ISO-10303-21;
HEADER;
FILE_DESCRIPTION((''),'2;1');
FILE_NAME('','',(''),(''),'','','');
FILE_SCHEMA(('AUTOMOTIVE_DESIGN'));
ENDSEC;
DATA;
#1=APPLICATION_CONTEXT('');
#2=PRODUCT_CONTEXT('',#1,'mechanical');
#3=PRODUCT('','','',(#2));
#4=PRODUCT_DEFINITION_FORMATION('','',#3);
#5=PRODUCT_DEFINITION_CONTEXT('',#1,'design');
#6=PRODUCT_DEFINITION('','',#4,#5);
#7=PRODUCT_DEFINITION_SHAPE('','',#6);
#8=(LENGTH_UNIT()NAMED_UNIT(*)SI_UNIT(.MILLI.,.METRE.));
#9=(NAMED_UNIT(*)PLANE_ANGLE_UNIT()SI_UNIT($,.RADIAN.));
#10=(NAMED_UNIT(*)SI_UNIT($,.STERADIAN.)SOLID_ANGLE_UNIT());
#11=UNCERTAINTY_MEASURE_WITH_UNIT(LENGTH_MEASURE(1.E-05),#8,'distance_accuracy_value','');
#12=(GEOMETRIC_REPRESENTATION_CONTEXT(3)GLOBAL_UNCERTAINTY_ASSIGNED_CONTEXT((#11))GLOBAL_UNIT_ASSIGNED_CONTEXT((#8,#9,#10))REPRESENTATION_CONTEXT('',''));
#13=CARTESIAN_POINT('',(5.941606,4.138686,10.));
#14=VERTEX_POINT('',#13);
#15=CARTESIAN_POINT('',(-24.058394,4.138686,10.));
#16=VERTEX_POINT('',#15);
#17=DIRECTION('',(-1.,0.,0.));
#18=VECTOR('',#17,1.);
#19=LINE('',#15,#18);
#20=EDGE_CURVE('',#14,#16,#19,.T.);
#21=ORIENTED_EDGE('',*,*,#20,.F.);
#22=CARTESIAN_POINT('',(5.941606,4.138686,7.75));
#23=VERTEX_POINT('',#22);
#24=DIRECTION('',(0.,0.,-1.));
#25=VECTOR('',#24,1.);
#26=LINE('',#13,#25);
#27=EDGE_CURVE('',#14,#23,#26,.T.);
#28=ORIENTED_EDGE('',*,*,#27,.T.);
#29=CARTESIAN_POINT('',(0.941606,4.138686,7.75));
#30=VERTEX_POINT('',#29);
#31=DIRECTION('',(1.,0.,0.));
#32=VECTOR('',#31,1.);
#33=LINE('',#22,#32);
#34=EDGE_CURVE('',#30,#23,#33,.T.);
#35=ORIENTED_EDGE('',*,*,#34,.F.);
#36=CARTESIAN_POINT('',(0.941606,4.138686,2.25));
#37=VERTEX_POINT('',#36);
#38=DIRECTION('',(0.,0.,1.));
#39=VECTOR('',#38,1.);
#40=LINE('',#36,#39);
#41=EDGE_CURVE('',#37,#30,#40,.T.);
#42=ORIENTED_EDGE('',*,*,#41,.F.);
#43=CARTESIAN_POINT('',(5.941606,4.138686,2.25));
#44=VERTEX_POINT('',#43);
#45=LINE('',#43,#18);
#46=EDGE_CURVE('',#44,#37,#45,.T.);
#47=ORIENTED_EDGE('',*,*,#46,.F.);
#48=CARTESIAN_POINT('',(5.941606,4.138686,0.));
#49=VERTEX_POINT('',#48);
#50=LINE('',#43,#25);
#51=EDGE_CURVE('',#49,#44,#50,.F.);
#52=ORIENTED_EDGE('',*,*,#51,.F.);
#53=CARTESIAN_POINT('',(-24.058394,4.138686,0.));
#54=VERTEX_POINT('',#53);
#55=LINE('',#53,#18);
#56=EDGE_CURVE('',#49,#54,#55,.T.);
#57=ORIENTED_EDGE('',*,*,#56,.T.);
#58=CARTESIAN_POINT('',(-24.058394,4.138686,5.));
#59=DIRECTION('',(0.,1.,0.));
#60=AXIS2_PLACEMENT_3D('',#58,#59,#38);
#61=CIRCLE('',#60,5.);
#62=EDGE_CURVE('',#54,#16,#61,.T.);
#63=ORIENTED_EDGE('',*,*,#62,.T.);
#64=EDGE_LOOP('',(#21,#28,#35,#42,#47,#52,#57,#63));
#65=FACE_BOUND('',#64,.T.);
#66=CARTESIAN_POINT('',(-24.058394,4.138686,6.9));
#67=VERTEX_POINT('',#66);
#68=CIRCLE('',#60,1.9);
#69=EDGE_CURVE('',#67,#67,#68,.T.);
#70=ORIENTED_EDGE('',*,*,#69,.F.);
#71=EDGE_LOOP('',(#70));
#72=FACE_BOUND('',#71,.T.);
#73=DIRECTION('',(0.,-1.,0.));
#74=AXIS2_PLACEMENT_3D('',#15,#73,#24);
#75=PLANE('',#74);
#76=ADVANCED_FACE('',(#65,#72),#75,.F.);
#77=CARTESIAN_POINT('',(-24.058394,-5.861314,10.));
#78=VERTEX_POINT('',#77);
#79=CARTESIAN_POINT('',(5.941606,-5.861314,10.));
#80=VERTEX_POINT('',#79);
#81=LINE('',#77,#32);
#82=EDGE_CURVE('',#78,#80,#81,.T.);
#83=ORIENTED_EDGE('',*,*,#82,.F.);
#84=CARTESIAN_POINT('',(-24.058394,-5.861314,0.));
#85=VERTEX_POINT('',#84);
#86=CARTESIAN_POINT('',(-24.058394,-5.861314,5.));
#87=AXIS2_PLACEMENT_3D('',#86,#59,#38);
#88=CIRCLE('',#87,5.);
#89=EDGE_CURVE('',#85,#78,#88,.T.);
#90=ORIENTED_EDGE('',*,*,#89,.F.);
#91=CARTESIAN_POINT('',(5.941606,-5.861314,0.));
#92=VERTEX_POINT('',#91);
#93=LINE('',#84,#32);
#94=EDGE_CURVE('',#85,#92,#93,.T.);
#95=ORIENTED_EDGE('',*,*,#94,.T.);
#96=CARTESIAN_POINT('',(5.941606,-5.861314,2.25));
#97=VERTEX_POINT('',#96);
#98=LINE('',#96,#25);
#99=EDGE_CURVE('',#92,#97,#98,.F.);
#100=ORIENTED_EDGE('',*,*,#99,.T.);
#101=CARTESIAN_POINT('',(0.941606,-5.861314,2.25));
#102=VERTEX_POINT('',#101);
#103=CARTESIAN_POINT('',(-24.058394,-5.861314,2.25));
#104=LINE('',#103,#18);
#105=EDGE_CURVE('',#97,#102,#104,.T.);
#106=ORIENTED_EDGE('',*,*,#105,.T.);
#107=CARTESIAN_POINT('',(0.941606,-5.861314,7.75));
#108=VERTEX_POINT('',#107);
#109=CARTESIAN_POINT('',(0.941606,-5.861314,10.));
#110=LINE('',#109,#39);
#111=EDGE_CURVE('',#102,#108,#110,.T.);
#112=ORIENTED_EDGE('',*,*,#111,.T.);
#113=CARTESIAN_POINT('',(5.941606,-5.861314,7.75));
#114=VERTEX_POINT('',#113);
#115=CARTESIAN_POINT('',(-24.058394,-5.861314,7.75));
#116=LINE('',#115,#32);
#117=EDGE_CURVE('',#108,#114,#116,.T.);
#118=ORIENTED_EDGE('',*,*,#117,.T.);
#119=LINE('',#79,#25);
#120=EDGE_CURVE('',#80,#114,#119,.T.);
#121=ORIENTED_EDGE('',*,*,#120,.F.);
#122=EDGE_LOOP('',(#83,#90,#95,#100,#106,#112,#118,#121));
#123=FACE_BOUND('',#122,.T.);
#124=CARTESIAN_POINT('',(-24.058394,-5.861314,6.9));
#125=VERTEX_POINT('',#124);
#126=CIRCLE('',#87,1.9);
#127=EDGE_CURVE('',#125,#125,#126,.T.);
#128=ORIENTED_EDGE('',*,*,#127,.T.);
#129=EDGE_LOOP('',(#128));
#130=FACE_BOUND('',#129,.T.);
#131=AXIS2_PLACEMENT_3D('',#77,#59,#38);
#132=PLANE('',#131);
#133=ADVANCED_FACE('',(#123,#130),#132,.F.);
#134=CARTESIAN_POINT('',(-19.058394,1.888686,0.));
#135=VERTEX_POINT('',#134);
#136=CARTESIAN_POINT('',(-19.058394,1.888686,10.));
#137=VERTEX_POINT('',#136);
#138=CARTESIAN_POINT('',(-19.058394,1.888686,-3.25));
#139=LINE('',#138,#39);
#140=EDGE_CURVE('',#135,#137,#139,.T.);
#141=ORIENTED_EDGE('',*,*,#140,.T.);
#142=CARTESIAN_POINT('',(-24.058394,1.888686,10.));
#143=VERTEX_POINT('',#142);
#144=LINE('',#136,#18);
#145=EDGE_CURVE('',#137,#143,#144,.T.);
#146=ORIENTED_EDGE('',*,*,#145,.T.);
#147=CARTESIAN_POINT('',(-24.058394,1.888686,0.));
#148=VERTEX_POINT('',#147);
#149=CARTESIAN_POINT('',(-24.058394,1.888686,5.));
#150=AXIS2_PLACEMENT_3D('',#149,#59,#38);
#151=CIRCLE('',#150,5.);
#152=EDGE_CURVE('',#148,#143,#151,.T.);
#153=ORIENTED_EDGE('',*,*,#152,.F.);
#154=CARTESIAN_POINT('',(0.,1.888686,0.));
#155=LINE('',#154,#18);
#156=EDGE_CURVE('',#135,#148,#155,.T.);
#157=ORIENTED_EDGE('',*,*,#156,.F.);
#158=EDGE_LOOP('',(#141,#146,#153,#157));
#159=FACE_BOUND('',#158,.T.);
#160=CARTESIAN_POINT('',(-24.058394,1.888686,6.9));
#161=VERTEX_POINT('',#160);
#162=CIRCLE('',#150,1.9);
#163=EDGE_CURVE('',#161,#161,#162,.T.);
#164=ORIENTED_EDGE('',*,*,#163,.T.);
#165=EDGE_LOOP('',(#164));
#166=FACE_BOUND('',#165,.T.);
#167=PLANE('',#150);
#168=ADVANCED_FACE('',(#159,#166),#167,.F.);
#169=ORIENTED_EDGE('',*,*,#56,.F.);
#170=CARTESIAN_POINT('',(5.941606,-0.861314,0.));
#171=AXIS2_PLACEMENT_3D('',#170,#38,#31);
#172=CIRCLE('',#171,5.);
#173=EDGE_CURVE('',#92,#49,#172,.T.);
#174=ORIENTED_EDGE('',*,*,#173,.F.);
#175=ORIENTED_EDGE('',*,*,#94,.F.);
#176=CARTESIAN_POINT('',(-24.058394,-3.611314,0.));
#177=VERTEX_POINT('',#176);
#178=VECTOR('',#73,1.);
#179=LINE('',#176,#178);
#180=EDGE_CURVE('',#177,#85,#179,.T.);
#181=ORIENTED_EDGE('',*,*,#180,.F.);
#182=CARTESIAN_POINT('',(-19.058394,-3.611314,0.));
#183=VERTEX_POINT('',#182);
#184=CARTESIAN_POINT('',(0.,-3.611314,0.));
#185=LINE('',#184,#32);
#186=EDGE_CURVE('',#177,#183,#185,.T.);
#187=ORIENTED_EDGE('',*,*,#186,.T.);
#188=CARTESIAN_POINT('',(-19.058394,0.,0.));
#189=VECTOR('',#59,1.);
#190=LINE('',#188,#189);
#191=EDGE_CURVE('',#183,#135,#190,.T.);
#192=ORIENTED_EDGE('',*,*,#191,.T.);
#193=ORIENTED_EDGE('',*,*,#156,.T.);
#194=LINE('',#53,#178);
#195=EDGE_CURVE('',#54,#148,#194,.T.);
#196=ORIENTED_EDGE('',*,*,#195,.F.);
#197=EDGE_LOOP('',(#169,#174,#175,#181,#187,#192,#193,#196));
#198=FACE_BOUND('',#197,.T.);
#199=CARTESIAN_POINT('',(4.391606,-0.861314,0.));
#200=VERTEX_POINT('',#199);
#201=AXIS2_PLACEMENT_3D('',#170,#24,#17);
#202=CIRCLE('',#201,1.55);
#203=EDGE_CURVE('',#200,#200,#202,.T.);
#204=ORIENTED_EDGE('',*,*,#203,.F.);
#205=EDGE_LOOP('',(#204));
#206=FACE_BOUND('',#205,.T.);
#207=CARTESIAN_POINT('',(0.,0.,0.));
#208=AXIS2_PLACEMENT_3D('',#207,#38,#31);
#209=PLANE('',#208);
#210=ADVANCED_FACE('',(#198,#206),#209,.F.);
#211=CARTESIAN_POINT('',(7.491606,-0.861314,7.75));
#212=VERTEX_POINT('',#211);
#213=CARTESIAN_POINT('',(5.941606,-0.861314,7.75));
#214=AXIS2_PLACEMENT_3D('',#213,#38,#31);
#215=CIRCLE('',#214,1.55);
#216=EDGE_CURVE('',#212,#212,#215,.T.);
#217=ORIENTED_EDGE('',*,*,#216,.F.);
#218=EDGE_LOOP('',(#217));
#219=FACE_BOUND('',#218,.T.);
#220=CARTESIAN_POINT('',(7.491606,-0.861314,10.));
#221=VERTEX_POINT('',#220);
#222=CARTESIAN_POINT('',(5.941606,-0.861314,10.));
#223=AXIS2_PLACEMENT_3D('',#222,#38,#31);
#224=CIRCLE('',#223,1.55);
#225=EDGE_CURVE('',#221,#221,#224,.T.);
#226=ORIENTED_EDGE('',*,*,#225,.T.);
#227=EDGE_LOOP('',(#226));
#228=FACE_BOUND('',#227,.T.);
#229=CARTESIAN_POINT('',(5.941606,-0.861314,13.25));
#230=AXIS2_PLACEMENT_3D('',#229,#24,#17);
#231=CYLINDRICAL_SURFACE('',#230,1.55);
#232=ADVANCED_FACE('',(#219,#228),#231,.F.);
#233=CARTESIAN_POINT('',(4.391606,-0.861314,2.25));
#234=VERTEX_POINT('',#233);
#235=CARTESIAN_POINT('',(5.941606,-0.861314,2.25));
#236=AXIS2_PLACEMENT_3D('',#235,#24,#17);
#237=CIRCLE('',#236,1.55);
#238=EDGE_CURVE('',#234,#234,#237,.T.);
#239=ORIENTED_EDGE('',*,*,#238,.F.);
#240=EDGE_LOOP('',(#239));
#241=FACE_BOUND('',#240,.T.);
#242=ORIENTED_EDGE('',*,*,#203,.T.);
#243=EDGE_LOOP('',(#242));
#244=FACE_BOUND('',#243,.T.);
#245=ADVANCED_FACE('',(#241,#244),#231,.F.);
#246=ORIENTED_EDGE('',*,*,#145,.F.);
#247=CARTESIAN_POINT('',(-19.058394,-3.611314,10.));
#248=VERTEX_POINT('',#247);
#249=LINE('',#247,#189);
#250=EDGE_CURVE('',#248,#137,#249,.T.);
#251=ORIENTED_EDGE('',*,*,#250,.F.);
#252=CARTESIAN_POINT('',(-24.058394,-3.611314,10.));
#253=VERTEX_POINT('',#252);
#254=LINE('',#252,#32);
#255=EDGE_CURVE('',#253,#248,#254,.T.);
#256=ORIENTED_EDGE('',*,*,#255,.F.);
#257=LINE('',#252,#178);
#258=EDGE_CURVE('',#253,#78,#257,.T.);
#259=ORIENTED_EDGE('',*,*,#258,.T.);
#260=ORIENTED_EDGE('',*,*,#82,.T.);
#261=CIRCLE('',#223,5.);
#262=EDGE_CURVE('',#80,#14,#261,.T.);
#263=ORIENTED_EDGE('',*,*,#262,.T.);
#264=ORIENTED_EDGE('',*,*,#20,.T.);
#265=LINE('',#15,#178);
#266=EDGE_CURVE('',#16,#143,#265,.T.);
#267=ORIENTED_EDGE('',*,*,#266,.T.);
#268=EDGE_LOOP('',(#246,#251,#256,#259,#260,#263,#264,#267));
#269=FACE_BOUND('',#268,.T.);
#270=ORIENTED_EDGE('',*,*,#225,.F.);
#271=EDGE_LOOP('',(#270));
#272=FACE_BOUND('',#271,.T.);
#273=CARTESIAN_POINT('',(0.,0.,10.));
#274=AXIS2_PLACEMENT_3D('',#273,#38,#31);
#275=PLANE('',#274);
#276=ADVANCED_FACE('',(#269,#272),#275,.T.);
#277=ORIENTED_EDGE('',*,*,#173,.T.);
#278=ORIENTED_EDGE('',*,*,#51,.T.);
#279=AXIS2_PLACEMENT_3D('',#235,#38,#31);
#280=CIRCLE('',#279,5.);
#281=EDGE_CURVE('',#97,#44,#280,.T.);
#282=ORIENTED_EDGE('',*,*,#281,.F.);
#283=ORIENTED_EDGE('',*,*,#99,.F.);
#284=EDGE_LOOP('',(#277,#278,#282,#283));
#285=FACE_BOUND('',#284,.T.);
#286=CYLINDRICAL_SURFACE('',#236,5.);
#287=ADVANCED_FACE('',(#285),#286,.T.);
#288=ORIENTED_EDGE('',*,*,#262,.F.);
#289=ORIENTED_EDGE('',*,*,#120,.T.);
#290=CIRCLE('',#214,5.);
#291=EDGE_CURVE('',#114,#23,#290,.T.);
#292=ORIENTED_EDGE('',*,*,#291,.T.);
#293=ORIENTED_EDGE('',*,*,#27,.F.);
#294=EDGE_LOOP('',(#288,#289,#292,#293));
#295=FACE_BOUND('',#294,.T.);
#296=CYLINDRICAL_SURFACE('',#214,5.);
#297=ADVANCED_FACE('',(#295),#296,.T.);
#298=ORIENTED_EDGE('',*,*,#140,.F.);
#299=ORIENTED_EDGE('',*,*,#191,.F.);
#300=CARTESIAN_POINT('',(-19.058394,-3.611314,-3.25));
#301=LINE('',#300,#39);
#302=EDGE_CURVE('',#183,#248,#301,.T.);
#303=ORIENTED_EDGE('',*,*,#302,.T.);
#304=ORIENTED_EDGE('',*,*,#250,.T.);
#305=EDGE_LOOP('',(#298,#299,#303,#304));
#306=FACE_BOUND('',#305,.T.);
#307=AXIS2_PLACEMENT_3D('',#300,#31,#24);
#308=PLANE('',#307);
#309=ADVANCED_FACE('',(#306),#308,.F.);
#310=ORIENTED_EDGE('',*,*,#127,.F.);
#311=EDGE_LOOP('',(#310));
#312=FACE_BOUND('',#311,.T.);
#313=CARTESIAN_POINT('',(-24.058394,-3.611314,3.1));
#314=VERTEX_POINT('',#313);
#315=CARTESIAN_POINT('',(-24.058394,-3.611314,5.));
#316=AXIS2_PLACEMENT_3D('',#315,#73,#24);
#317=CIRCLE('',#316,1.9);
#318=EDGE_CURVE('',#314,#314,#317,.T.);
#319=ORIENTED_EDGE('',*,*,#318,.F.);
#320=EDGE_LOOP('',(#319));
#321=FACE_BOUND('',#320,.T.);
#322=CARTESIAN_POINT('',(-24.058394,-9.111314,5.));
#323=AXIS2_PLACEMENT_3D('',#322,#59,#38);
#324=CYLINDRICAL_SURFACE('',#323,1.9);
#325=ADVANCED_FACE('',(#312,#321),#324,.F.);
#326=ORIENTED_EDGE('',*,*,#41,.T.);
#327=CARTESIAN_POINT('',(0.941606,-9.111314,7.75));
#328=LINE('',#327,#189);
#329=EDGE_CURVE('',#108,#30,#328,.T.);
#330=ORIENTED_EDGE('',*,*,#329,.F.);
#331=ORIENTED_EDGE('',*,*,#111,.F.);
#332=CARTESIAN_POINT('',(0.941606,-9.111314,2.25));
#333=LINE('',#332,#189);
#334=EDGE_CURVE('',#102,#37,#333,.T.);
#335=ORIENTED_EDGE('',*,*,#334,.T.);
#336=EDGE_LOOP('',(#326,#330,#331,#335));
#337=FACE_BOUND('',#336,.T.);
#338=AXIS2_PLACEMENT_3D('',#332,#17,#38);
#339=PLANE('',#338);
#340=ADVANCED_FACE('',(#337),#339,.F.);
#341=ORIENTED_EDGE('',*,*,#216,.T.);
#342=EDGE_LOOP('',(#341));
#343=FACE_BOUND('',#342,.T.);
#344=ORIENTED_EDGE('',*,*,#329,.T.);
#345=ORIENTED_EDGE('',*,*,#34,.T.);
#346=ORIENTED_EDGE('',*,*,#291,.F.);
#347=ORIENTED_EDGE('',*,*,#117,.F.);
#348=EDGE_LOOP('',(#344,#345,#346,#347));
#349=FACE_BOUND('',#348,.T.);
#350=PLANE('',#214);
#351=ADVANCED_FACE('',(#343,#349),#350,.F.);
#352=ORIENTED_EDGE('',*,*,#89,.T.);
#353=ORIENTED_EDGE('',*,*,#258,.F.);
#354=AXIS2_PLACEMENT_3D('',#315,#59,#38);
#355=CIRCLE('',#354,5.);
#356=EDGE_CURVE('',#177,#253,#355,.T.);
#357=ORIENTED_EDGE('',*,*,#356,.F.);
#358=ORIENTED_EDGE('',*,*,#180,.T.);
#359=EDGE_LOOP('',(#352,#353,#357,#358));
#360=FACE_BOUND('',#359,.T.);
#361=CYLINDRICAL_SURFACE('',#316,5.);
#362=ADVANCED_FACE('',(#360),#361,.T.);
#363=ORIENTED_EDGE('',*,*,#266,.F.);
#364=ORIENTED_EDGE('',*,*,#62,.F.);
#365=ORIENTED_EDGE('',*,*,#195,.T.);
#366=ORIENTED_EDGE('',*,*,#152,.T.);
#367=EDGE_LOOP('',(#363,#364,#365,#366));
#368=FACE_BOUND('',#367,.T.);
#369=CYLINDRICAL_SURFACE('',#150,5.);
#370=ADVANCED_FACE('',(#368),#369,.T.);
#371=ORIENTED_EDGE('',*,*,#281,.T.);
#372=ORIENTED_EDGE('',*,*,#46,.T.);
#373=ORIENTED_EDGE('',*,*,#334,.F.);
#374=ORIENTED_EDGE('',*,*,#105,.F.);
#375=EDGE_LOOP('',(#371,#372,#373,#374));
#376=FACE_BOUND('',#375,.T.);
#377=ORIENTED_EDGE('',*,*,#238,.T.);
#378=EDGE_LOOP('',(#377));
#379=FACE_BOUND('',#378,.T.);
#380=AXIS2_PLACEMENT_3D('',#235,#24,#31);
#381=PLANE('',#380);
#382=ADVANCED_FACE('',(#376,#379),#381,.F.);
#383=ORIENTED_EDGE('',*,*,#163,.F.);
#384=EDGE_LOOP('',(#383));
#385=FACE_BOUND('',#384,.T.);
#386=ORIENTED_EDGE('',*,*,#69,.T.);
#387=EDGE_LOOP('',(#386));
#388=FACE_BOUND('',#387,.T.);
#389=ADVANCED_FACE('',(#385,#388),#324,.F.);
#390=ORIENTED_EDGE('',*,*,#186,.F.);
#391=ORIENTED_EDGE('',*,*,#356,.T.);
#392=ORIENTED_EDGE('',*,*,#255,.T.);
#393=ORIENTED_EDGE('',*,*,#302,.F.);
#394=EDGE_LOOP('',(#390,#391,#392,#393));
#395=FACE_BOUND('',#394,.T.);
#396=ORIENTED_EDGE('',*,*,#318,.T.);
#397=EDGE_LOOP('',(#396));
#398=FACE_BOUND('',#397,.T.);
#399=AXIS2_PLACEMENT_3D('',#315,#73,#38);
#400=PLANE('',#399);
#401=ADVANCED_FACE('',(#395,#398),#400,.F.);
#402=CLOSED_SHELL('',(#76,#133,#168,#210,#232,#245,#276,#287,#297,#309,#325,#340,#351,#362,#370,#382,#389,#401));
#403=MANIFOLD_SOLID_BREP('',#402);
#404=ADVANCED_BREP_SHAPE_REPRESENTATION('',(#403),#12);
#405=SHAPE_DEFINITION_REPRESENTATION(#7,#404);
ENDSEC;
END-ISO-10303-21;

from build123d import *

# Parameters (mm, degrees)
SKETCH1_W            = 30
SKETCH1_H            = 10
BOSS_EXTRUDE1_DEPTH  = 10
SKETCH2_R            = 5
BOSS_EXTRUDE2_DEPTH  = 2.25
BOSS_EXTRUDE4_DEPTH  = 2.25
MIRROR4_COPY_1_DEPTH = 2.25
MIRROR4_COPY_2_DEPTH = 2.25
SKETCH4_R            = 1.9
CUT_EXTRUDE1_DEPTH   = 13.25
SKETCH5_R            = 1.55
CUT_EXTRUDE2_DEPTH   = 13.25
SKETCH6_W            = 5
SKETCH6_H            = 5.5
CUT_EXTRUDE3_DEPTH   = 13.25
SKETCH7_W            = 5
SKETCH7_H            = 5.5
CUT_EXTRUDE4_DEPTH   = 13.25


with BuildPart() as part:
    # Sketch1 → Boss-Extrude1 (new body)
    with BuildSketch(Plane.XY):
        with Locations((-9.058394161, -0.861313869)):
            Rectangle(SKETCH1_W, SKETCH1_H)
    extrude(amount=BOSS_EXTRUDE1_DEPTH)

    # Sketch2 → Boss-Extrude2 (add)
    with BuildSketch(Plane.XY.offset(10)):
        with Locations((5.941605839, -0.861313869)):
            Circle(SKETCH2_R)
    boss_extrude2 = extrude(amount=-BOSS_EXTRUDE2_DEPTH)

    # Sketch3 → Boss-Extrude4 (add)
    with BuildSketch(Plane(origin=(0, 4.138686131, 0), x_dir=(1, 0, 0), z_dir=(0, 1, 0))):
        with BuildLine():
            Line((-24.058394161, -10), (-24.058394161, -5))
            Line((-24.058394161, -5), (-29.058394161, -5))
            ThreePointArc((-29.058394161, -5), (-27.593928067, -8.535533906), (-24.058394161, -10))
        make_face()
    boss_extrude4 = extrude(amount=-BOSS_EXTRUDE4_DEPTH)

    # Mirror1: Boss-Extrude2, Boss-Extrude4 across plane
    add(boss_extrude2.mirror(Plane(origin=(0, 0, 5), x_dir=(1, 0, 0), z_dir=(0, 0, -1))))
    add(boss_extrude4.mirror(Plane(origin=(0, 0, 5), x_dir=(1, 0, 0), z_dir=(0, 0, -1))))

    # Mirror3: Boss-Extrude4 across plane
    add(boss_extrude4.mirror(Plane.ZX.offset(-0.861313869)))

    # Mirror4 copy 1 sketch → Mirror4 copy 1 (add)
    with BuildSketch(Plane(origin=(0, -5.861313869, 10), x_dir=(1, 0, 0), z_dir=(0, -1, 0))):
        with BuildLine():
            Line((-24.058394161, -10), (-24.058394161, -5))
            Line((-24.058394161, -5), (-29.058394161, -5))
            ThreePointArc((-29.058394161, -5), (-27.593928067, -8.535533906), (-24.058394161, -10))
        make_face()
    extrude(amount=-MIRROR4_COPY_1_DEPTH)

    # Mirror4 copy 2 sketch → Mirror4 copy 2 (add)
    with BuildSketch(Plane(origin=(0, 4.138686131, 10), x_dir=(1, 0, 0), z_dir=(0, 1, 0))):
        with BuildLine():
            Line((-24.058394161, 10), (-24.058394161, 5))
            Line((-24.058394161, 5), (-29.058394161, 5))
            ThreePointArc((-29.058394161, 5), (-27.593928067, 8.535533906), (-24.058394161, 10))
        make_face()
    extrude(amount=-MIRROR4_COPY_2_DEPTH)

    # Sketch4 → Cut-Extrude1 (cut)
    with BuildSketch(Plane(origin=(0, 4.138686131, 0), x_dir=(1, 0, 0), z_dir=(0, 1, 0))):
        with Locations(Location((-24.058394161, -5, 0), (0, 0, 270))):  # turned: the seam where the file's is
            Circle(SKETCH4_R)
    extrude(amount=-CUT_EXTRUDE1_DEPTH, mode=Mode.SUBTRACT)

    # Sketch5 → Cut-Extrude2 (cut)
    with BuildSketch(Plane(origin=(0, 0, 0), x_dir=(-1, 0, 0), z_dir=(0, 0, -1))):
        with Locations((-5.941605839, -0.861313869)):
            Circle(SKETCH5_R)
    extrude(amount=-CUT_EXTRUDE2_DEPTH, mode=Mode.SUBTRACT)

    # Sketch6 → Cut-Extrude3 (cut)
    with BuildSketch(Plane(origin=(0, 4.138686131, 0), x_dir=(1, 0, 0), z_dir=(0, 1, 0))):
        with Locations((3.441605839, -5)):
            Rectangle(SKETCH6_W, SKETCH6_H)
    extrude(amount=-CUT_EXTRUDE3_DEPTH, mode=Mode.SUBTRACT)

    # Sketch7 → Cut-Extrude4 (cut)
    with BuildSketch(Plane.XY.offset(10)):
        with Locations((-21.558394161, -0.861313869)):
            Rectangle(SKETCH7_W, SKETCH7_H)
    extrude(amount=-CUT_EXTRUDE4_DEPTH, mode=Mode.SUBTRACT)


solid = part.part
